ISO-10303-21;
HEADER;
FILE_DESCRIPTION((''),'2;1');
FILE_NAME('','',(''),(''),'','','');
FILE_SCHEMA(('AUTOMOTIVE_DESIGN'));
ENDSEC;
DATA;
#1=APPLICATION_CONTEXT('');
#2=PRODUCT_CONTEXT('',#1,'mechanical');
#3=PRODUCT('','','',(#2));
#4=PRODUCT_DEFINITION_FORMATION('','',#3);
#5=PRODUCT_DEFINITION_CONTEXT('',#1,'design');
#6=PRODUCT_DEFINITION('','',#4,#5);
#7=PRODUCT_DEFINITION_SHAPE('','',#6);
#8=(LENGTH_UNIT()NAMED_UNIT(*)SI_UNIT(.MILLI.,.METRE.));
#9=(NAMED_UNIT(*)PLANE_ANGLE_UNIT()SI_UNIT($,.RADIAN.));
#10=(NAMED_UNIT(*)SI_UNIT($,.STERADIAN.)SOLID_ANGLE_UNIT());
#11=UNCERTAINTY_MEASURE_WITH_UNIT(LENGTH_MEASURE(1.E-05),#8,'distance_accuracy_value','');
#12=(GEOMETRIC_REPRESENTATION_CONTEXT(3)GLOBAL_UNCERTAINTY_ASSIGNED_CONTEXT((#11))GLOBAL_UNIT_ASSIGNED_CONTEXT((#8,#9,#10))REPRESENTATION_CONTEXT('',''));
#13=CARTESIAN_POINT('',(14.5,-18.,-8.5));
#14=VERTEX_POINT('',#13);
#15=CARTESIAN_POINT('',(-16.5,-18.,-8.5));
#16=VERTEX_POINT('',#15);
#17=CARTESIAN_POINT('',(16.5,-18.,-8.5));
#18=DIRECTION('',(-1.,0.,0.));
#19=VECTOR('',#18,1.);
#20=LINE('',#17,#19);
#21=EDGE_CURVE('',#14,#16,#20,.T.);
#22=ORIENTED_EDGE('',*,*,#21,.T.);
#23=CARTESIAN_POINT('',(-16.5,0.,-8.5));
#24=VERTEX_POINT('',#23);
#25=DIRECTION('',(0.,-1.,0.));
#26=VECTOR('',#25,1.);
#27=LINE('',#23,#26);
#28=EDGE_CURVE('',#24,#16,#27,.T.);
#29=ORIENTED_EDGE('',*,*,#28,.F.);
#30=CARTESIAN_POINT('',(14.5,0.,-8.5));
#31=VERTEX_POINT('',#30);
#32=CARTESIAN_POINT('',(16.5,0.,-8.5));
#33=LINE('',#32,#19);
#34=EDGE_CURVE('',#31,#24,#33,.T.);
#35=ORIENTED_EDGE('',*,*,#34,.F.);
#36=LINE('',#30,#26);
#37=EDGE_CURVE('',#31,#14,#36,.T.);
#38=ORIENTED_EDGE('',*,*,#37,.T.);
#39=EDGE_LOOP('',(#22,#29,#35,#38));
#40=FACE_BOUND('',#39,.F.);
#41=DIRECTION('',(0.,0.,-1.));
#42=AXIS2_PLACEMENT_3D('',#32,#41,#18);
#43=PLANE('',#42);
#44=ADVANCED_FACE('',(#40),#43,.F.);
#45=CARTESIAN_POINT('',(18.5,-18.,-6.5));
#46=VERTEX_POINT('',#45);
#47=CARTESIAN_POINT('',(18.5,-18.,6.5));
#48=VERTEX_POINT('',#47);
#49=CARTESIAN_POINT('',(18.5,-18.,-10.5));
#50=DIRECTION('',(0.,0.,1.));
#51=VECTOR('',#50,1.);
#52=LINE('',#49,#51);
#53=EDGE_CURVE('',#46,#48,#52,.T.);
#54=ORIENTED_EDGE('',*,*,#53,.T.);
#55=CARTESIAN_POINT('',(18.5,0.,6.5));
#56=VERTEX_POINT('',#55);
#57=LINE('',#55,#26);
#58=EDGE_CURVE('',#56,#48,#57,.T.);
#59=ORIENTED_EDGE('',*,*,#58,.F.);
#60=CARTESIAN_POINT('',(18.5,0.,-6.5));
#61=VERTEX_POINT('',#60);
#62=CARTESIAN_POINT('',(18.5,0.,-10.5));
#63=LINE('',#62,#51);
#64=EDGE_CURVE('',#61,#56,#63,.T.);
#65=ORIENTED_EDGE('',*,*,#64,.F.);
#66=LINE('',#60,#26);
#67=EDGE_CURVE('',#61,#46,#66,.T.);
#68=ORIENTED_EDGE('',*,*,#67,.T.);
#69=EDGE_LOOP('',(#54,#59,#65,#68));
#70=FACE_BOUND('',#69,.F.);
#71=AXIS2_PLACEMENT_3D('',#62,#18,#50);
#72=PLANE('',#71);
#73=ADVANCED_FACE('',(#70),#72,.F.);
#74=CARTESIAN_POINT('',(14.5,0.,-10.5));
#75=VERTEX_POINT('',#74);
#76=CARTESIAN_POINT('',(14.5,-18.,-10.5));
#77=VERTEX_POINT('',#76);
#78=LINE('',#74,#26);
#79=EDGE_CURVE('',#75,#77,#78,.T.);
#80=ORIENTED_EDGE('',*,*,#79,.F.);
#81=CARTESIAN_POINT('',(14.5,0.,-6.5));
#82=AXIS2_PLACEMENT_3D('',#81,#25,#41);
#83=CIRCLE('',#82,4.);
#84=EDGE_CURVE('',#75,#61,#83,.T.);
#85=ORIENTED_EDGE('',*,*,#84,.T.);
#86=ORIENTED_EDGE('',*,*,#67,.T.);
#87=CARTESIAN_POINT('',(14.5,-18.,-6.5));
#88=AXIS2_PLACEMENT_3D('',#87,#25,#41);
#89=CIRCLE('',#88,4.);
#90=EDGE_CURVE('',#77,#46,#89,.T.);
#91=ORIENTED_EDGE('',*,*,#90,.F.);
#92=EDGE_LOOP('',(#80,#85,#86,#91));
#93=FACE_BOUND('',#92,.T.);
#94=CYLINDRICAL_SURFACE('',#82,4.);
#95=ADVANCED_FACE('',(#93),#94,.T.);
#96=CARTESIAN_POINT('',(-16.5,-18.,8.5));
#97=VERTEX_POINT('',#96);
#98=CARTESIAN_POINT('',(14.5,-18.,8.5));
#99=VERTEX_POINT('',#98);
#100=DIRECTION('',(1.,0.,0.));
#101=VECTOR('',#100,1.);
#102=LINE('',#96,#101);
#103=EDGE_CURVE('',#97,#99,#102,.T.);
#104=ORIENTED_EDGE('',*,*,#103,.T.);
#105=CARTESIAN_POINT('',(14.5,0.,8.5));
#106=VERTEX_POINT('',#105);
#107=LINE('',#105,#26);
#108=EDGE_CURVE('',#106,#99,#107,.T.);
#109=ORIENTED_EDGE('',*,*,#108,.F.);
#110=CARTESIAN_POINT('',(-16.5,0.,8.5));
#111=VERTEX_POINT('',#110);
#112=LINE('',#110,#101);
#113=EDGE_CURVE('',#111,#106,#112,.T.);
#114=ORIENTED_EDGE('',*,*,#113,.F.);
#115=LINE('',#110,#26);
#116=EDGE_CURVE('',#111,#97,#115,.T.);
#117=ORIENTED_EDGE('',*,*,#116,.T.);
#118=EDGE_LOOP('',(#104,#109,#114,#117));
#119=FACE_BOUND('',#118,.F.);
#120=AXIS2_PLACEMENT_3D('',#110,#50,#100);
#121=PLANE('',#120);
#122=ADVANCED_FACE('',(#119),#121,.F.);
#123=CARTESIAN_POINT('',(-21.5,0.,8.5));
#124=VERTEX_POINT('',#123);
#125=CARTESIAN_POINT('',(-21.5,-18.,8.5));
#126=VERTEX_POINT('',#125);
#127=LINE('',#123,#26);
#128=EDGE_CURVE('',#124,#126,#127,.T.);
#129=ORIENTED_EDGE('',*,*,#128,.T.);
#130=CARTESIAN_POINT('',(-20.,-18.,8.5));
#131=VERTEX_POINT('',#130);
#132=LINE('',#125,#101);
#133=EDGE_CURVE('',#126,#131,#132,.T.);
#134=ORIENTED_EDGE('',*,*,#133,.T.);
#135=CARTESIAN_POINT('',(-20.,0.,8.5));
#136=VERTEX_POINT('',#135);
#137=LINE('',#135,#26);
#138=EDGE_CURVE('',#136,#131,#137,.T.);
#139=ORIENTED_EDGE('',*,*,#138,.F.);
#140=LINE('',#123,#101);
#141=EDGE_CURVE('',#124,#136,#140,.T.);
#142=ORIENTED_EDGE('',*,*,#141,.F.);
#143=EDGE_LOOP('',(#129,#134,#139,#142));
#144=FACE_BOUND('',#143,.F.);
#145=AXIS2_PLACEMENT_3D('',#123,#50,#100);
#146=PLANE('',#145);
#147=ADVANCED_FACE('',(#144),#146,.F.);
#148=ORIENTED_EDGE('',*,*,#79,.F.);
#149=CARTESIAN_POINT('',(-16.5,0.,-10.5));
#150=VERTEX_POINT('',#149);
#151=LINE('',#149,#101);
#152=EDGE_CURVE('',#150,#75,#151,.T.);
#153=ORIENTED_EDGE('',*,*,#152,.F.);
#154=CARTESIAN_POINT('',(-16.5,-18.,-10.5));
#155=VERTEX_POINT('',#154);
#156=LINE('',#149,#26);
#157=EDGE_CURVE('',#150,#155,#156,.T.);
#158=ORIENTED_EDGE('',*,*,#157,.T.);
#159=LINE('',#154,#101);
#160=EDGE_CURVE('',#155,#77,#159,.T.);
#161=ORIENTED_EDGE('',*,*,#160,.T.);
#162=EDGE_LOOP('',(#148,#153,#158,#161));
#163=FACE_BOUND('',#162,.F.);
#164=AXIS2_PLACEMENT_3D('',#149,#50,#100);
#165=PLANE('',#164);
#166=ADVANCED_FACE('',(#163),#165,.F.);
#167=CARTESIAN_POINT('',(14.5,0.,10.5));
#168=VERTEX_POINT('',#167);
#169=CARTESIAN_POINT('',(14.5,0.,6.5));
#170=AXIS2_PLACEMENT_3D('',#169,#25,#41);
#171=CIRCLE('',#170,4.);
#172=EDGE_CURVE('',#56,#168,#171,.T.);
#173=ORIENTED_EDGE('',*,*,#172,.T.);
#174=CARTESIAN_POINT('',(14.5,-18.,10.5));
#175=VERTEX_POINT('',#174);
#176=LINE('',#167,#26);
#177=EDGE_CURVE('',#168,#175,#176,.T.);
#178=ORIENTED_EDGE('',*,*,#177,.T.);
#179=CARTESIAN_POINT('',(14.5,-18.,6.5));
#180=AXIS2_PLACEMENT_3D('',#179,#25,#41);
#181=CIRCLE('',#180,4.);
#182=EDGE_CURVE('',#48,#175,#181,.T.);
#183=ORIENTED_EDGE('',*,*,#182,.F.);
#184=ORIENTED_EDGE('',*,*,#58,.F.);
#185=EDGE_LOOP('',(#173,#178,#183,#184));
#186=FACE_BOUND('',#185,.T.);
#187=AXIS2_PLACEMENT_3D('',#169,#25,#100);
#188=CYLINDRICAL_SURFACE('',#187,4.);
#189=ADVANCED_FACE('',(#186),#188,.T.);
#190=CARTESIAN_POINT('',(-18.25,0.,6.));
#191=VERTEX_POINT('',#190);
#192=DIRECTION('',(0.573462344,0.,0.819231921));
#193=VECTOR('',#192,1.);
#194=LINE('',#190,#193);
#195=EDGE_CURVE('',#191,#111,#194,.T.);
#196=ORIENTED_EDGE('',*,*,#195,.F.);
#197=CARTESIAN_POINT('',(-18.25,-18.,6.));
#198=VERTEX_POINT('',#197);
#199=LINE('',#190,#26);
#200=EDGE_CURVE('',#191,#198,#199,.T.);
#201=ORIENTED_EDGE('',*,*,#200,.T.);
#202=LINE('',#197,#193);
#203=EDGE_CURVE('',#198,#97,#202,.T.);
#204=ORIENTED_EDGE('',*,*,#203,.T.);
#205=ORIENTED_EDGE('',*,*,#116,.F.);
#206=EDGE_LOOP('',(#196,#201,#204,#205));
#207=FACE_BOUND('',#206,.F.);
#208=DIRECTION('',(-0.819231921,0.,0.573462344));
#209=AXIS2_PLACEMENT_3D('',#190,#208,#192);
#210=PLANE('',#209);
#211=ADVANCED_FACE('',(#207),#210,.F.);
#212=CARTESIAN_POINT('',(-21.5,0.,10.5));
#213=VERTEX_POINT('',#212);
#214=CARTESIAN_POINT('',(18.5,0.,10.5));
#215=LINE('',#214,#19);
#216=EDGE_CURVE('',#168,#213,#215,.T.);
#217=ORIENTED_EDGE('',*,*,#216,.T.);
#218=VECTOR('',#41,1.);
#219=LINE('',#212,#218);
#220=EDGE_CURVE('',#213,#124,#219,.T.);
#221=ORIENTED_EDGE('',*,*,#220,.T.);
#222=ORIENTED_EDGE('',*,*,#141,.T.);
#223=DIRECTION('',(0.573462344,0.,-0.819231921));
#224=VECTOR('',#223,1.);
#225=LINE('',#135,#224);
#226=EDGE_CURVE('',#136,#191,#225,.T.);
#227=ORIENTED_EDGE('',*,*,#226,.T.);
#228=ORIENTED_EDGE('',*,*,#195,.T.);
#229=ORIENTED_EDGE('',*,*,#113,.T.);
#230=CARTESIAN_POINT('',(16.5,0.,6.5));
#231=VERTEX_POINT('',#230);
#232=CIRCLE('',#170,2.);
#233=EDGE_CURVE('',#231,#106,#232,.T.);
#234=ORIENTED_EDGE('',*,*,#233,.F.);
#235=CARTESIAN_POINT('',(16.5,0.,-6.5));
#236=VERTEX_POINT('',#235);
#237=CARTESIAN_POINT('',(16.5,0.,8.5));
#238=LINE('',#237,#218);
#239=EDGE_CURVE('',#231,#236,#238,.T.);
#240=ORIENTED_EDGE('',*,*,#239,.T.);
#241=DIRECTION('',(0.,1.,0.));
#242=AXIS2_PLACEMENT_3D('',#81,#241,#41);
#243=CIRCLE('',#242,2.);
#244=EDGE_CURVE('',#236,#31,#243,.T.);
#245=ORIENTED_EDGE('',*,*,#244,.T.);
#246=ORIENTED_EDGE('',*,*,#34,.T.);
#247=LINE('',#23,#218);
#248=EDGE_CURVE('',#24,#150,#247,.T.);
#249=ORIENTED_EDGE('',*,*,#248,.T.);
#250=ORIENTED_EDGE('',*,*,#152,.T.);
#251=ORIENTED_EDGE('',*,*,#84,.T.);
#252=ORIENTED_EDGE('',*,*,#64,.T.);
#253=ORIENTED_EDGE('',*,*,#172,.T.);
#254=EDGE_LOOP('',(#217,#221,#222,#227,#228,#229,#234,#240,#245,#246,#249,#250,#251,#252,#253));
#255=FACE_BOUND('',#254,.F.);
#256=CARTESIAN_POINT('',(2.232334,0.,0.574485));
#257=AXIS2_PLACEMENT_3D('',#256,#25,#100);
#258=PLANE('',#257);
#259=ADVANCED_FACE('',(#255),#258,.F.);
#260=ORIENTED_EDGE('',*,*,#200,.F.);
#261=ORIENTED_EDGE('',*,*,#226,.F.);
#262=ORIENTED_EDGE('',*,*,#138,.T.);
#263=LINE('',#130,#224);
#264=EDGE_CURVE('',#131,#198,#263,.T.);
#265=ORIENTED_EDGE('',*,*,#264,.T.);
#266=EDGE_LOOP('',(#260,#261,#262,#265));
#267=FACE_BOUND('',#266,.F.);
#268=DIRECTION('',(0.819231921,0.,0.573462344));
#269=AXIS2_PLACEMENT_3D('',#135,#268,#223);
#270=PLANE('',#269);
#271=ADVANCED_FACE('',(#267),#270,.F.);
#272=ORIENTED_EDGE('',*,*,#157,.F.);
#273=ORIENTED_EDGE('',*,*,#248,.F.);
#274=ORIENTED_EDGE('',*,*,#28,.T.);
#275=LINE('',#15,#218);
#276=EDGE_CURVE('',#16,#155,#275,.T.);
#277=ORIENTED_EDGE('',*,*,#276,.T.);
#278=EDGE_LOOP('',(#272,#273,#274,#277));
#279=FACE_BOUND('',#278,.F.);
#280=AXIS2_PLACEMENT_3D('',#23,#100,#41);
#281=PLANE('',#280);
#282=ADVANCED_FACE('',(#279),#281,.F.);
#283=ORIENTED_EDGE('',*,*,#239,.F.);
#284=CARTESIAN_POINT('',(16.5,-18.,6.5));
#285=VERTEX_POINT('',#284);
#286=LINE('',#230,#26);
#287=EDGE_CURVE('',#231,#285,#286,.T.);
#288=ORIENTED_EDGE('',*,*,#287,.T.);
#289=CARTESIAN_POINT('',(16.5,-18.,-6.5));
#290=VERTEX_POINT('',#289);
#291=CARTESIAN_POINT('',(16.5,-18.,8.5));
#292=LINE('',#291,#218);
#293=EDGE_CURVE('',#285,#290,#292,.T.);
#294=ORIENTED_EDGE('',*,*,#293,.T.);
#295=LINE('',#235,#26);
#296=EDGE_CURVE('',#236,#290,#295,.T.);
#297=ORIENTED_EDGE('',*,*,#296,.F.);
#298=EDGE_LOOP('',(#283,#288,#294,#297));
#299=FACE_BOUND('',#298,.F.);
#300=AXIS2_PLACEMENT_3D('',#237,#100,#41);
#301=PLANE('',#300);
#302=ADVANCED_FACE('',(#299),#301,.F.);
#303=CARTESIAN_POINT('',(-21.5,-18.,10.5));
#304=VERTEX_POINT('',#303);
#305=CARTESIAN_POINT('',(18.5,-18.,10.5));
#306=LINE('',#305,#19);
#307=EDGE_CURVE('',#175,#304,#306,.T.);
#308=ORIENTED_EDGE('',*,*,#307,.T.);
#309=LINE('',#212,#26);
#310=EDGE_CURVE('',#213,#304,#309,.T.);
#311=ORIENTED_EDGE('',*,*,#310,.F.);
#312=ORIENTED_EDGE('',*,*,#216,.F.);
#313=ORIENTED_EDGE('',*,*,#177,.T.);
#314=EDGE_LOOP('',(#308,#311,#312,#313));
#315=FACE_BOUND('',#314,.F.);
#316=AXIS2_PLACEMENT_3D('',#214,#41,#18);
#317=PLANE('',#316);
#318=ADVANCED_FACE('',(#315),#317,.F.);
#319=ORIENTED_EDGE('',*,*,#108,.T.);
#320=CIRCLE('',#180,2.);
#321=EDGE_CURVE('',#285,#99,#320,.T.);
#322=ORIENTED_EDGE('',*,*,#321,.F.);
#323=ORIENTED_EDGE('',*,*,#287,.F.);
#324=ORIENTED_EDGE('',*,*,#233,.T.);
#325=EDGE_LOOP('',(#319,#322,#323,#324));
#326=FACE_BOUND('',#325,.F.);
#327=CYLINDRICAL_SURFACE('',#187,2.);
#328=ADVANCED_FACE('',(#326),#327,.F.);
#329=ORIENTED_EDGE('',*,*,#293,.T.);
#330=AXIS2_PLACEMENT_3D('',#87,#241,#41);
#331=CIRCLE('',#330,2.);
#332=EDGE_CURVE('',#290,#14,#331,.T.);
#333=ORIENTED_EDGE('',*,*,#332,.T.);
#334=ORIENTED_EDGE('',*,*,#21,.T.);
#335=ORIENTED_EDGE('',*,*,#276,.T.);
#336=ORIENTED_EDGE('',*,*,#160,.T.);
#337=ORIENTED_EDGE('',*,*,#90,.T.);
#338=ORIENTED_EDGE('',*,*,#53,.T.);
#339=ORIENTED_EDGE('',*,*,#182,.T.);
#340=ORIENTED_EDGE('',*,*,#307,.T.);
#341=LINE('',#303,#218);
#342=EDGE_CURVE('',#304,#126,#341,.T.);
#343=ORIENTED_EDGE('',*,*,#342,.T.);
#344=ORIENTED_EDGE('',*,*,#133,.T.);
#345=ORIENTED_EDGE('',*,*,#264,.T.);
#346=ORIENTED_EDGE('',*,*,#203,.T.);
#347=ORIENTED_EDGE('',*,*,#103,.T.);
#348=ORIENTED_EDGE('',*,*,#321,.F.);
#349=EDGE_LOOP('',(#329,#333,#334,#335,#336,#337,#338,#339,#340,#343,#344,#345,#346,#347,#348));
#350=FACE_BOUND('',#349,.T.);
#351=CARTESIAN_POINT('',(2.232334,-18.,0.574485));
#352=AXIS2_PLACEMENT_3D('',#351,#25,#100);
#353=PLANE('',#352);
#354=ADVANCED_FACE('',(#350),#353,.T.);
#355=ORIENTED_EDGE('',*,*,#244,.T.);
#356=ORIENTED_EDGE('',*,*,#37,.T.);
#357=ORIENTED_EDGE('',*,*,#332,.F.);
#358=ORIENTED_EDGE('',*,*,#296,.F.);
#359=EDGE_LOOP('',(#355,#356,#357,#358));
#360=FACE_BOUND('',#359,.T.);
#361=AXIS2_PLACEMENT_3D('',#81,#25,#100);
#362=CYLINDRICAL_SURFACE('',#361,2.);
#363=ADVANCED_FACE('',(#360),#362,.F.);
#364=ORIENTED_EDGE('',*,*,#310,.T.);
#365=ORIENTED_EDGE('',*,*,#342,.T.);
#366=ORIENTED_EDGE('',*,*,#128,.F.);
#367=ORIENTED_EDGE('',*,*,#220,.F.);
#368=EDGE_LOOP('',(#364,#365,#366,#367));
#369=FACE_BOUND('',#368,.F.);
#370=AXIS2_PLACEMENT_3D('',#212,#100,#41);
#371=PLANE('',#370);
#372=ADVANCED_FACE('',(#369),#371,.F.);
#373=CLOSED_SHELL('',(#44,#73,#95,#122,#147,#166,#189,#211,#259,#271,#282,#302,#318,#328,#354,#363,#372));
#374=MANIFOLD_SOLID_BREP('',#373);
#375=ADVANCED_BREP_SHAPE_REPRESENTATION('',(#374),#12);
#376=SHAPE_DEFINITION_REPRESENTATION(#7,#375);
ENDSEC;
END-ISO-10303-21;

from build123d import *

# Parameters (mm, degrees)
F1_DEPTH = 18
F2_R     = 2
F3_R     = 4


with BuildPart() as f1:
    # F0 (on Front) → F1 (new body)
    with BuildSketch(Plane.XZ):
        Polygon((16.5, 8.5), (16.5, -8.5), (-16.5, -8.5), (-16.5, -10.5), (18.5, -10.5), (18.5, 10.5), (-21.5, 10.5), (-21.5, 8.5), (-20, 8.5), (-18.25, 6), (-16.5, 8.5), align=None)
    extrude(amount=F1_DEPTH)

    # F2
    f2_edges = [f1.edges().sort_by_distance(p)[0] for p in [
        (16.5, -9, 8.5),
        (16.5, -9, -8.5),
    ]]
    fillet(f2_edges, radius=F2_R)

    # F3
    f3_edges = [f1.edges().sort_by_distance(p)[0] for p in [
        (18.5, -9, 10.5),
        (18.5, -9, -10.5),
    ]]
    fillet(f3_edges, radius=F3_R)


solid = f1.part
